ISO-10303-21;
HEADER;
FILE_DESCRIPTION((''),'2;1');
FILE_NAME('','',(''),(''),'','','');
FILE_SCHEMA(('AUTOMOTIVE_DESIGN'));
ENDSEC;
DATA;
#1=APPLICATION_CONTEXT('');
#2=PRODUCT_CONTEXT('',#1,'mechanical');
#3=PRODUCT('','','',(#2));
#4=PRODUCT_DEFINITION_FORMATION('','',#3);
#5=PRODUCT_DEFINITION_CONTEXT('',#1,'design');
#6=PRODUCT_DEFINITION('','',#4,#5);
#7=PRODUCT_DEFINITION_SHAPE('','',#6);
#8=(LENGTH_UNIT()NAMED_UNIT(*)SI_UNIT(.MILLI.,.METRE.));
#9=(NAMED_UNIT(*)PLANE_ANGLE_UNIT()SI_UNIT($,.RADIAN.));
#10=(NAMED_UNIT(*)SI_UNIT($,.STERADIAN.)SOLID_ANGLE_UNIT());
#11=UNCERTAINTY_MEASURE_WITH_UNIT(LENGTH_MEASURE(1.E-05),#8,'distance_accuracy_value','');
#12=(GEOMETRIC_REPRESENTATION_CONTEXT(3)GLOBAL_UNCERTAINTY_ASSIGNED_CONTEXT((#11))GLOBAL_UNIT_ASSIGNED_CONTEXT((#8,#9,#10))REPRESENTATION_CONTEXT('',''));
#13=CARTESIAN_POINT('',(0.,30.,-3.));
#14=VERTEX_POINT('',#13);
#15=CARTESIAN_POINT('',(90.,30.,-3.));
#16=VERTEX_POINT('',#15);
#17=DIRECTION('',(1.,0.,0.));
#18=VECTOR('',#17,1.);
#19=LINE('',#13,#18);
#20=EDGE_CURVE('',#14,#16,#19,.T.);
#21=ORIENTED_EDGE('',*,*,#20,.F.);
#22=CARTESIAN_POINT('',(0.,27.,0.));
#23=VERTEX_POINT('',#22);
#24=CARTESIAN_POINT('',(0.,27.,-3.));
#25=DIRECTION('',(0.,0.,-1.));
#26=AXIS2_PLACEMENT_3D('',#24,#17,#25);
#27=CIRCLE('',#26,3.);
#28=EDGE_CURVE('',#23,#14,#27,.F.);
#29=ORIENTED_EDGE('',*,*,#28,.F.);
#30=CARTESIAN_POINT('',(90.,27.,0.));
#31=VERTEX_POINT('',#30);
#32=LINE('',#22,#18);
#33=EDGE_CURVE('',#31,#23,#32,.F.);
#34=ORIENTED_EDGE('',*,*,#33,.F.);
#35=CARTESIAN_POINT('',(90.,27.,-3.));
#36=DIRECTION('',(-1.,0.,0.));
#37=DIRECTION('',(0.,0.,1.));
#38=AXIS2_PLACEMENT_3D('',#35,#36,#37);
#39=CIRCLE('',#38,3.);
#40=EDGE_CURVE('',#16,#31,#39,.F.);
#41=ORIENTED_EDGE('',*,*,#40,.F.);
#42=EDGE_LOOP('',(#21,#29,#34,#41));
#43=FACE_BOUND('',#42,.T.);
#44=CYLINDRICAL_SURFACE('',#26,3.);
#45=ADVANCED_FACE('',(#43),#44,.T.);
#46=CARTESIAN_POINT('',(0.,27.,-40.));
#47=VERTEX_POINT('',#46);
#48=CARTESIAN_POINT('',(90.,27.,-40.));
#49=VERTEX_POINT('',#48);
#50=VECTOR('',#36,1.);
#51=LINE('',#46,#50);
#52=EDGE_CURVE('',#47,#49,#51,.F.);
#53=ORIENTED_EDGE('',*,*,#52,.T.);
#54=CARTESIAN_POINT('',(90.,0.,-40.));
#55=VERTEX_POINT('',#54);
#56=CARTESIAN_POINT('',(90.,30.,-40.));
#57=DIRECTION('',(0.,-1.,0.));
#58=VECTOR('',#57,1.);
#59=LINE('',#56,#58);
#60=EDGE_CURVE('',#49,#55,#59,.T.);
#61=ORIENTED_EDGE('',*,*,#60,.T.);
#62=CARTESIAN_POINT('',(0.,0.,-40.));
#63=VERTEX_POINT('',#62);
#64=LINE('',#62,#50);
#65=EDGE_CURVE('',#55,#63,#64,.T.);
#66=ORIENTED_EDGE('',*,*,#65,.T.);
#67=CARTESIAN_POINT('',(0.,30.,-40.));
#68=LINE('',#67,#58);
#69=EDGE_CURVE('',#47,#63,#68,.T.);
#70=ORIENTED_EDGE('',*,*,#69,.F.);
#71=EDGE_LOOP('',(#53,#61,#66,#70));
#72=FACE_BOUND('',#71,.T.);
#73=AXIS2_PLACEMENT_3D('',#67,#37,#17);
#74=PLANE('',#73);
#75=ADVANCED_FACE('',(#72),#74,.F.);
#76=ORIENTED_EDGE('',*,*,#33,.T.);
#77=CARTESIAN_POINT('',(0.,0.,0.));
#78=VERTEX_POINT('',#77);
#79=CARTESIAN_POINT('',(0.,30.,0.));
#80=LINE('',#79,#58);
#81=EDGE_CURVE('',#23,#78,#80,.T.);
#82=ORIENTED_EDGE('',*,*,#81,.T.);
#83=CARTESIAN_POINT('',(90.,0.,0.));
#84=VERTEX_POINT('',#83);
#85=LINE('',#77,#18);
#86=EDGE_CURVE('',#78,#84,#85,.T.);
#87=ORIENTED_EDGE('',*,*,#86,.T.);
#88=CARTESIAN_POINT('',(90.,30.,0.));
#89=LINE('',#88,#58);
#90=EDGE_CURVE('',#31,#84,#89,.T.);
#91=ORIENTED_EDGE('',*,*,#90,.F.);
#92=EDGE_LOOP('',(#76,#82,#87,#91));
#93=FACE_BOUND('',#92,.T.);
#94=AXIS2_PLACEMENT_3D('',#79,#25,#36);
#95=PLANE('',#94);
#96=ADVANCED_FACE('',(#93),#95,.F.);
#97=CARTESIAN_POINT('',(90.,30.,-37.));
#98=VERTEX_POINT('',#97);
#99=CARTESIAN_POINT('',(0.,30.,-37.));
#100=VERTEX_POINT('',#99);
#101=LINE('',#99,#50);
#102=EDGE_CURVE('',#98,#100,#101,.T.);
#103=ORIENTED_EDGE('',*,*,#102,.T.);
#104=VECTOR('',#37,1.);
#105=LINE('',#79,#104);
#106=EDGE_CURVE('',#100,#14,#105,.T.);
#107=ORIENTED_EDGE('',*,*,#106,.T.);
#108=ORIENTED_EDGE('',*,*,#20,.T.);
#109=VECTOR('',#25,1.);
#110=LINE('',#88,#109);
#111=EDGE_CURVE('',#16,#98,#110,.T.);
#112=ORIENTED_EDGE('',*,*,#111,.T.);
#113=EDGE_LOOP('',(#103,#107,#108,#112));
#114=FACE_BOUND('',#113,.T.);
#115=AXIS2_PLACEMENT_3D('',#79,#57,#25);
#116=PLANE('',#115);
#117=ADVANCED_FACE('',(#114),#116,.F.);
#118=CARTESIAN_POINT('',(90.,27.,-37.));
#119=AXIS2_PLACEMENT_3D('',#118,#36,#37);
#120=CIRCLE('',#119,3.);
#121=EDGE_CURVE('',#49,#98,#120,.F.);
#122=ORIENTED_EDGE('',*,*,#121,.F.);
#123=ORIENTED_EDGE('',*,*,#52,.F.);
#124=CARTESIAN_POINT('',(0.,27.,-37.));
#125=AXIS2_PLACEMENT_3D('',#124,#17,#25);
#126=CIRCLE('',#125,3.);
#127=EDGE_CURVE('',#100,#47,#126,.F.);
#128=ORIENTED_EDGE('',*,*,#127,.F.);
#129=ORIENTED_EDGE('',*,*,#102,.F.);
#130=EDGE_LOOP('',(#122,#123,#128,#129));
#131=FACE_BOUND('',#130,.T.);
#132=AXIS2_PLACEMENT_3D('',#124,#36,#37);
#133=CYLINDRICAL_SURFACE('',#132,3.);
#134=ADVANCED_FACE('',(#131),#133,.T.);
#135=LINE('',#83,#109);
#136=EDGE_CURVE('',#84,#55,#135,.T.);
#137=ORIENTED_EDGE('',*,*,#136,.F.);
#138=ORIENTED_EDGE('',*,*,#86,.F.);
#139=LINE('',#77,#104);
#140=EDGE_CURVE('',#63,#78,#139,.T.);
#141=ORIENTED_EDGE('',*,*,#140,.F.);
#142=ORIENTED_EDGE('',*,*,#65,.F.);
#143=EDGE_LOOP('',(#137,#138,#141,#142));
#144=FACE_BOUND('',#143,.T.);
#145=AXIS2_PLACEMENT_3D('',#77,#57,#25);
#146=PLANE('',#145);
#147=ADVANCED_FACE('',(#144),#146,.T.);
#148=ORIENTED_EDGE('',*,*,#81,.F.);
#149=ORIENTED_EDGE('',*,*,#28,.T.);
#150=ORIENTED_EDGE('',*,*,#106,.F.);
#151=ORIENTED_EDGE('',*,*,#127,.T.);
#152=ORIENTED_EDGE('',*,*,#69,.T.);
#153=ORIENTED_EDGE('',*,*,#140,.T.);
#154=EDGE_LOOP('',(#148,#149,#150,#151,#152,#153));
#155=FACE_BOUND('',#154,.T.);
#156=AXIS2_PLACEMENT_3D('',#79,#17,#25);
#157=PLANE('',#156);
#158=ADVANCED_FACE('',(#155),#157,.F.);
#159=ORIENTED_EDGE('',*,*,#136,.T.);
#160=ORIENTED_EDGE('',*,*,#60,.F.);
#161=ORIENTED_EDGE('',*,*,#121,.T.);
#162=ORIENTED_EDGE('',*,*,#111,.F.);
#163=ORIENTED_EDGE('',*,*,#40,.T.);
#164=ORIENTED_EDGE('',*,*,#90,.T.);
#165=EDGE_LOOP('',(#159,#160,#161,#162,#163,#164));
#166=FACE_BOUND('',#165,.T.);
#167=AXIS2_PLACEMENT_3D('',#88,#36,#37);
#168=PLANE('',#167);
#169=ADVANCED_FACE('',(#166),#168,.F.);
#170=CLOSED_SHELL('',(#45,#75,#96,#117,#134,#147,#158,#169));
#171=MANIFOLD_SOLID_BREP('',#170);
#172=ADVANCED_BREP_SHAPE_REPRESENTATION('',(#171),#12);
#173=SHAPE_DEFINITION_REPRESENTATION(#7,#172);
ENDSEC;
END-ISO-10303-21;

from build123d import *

# Parameters (mm, degrees)
SKETCH1_W           = 90
SKETCH1_H           = 40
BOSS_EXTRUDE1_DEPTH = 30
FILLET1_R           = 3
FILLET2_R           = 3


with BuildPart() as part:
    # Sketch1 → Boss-Extrude1 (new body)
    with BuildSketch(Plane(origin=(0, 0, 0), x_dir=(1, 0, 0), z_dir=(0, 1, 0))):
        with Locations((45, 20)):
            Rectangle(SKETCH1_W, SKETCH1_H)
    extrude(amount=BOSS_EXTRUDE1_DEPTH)

    # Fillet1
    fillet1_edges = [part.edges().sort_by_distance(p)[0] for p in [
        (45, 30, 0),
    ]]
    fillet(fillet1_edges, radius=FILLET1_R)

    # Fillet2
    fillet2_edges = [part.edges().sort_by_distance(p)[0] for p in [
        (45, 30, -40),
    ]]
    fillet(fillet2_edges, radius=FILLET2_R)


solid = part.part
